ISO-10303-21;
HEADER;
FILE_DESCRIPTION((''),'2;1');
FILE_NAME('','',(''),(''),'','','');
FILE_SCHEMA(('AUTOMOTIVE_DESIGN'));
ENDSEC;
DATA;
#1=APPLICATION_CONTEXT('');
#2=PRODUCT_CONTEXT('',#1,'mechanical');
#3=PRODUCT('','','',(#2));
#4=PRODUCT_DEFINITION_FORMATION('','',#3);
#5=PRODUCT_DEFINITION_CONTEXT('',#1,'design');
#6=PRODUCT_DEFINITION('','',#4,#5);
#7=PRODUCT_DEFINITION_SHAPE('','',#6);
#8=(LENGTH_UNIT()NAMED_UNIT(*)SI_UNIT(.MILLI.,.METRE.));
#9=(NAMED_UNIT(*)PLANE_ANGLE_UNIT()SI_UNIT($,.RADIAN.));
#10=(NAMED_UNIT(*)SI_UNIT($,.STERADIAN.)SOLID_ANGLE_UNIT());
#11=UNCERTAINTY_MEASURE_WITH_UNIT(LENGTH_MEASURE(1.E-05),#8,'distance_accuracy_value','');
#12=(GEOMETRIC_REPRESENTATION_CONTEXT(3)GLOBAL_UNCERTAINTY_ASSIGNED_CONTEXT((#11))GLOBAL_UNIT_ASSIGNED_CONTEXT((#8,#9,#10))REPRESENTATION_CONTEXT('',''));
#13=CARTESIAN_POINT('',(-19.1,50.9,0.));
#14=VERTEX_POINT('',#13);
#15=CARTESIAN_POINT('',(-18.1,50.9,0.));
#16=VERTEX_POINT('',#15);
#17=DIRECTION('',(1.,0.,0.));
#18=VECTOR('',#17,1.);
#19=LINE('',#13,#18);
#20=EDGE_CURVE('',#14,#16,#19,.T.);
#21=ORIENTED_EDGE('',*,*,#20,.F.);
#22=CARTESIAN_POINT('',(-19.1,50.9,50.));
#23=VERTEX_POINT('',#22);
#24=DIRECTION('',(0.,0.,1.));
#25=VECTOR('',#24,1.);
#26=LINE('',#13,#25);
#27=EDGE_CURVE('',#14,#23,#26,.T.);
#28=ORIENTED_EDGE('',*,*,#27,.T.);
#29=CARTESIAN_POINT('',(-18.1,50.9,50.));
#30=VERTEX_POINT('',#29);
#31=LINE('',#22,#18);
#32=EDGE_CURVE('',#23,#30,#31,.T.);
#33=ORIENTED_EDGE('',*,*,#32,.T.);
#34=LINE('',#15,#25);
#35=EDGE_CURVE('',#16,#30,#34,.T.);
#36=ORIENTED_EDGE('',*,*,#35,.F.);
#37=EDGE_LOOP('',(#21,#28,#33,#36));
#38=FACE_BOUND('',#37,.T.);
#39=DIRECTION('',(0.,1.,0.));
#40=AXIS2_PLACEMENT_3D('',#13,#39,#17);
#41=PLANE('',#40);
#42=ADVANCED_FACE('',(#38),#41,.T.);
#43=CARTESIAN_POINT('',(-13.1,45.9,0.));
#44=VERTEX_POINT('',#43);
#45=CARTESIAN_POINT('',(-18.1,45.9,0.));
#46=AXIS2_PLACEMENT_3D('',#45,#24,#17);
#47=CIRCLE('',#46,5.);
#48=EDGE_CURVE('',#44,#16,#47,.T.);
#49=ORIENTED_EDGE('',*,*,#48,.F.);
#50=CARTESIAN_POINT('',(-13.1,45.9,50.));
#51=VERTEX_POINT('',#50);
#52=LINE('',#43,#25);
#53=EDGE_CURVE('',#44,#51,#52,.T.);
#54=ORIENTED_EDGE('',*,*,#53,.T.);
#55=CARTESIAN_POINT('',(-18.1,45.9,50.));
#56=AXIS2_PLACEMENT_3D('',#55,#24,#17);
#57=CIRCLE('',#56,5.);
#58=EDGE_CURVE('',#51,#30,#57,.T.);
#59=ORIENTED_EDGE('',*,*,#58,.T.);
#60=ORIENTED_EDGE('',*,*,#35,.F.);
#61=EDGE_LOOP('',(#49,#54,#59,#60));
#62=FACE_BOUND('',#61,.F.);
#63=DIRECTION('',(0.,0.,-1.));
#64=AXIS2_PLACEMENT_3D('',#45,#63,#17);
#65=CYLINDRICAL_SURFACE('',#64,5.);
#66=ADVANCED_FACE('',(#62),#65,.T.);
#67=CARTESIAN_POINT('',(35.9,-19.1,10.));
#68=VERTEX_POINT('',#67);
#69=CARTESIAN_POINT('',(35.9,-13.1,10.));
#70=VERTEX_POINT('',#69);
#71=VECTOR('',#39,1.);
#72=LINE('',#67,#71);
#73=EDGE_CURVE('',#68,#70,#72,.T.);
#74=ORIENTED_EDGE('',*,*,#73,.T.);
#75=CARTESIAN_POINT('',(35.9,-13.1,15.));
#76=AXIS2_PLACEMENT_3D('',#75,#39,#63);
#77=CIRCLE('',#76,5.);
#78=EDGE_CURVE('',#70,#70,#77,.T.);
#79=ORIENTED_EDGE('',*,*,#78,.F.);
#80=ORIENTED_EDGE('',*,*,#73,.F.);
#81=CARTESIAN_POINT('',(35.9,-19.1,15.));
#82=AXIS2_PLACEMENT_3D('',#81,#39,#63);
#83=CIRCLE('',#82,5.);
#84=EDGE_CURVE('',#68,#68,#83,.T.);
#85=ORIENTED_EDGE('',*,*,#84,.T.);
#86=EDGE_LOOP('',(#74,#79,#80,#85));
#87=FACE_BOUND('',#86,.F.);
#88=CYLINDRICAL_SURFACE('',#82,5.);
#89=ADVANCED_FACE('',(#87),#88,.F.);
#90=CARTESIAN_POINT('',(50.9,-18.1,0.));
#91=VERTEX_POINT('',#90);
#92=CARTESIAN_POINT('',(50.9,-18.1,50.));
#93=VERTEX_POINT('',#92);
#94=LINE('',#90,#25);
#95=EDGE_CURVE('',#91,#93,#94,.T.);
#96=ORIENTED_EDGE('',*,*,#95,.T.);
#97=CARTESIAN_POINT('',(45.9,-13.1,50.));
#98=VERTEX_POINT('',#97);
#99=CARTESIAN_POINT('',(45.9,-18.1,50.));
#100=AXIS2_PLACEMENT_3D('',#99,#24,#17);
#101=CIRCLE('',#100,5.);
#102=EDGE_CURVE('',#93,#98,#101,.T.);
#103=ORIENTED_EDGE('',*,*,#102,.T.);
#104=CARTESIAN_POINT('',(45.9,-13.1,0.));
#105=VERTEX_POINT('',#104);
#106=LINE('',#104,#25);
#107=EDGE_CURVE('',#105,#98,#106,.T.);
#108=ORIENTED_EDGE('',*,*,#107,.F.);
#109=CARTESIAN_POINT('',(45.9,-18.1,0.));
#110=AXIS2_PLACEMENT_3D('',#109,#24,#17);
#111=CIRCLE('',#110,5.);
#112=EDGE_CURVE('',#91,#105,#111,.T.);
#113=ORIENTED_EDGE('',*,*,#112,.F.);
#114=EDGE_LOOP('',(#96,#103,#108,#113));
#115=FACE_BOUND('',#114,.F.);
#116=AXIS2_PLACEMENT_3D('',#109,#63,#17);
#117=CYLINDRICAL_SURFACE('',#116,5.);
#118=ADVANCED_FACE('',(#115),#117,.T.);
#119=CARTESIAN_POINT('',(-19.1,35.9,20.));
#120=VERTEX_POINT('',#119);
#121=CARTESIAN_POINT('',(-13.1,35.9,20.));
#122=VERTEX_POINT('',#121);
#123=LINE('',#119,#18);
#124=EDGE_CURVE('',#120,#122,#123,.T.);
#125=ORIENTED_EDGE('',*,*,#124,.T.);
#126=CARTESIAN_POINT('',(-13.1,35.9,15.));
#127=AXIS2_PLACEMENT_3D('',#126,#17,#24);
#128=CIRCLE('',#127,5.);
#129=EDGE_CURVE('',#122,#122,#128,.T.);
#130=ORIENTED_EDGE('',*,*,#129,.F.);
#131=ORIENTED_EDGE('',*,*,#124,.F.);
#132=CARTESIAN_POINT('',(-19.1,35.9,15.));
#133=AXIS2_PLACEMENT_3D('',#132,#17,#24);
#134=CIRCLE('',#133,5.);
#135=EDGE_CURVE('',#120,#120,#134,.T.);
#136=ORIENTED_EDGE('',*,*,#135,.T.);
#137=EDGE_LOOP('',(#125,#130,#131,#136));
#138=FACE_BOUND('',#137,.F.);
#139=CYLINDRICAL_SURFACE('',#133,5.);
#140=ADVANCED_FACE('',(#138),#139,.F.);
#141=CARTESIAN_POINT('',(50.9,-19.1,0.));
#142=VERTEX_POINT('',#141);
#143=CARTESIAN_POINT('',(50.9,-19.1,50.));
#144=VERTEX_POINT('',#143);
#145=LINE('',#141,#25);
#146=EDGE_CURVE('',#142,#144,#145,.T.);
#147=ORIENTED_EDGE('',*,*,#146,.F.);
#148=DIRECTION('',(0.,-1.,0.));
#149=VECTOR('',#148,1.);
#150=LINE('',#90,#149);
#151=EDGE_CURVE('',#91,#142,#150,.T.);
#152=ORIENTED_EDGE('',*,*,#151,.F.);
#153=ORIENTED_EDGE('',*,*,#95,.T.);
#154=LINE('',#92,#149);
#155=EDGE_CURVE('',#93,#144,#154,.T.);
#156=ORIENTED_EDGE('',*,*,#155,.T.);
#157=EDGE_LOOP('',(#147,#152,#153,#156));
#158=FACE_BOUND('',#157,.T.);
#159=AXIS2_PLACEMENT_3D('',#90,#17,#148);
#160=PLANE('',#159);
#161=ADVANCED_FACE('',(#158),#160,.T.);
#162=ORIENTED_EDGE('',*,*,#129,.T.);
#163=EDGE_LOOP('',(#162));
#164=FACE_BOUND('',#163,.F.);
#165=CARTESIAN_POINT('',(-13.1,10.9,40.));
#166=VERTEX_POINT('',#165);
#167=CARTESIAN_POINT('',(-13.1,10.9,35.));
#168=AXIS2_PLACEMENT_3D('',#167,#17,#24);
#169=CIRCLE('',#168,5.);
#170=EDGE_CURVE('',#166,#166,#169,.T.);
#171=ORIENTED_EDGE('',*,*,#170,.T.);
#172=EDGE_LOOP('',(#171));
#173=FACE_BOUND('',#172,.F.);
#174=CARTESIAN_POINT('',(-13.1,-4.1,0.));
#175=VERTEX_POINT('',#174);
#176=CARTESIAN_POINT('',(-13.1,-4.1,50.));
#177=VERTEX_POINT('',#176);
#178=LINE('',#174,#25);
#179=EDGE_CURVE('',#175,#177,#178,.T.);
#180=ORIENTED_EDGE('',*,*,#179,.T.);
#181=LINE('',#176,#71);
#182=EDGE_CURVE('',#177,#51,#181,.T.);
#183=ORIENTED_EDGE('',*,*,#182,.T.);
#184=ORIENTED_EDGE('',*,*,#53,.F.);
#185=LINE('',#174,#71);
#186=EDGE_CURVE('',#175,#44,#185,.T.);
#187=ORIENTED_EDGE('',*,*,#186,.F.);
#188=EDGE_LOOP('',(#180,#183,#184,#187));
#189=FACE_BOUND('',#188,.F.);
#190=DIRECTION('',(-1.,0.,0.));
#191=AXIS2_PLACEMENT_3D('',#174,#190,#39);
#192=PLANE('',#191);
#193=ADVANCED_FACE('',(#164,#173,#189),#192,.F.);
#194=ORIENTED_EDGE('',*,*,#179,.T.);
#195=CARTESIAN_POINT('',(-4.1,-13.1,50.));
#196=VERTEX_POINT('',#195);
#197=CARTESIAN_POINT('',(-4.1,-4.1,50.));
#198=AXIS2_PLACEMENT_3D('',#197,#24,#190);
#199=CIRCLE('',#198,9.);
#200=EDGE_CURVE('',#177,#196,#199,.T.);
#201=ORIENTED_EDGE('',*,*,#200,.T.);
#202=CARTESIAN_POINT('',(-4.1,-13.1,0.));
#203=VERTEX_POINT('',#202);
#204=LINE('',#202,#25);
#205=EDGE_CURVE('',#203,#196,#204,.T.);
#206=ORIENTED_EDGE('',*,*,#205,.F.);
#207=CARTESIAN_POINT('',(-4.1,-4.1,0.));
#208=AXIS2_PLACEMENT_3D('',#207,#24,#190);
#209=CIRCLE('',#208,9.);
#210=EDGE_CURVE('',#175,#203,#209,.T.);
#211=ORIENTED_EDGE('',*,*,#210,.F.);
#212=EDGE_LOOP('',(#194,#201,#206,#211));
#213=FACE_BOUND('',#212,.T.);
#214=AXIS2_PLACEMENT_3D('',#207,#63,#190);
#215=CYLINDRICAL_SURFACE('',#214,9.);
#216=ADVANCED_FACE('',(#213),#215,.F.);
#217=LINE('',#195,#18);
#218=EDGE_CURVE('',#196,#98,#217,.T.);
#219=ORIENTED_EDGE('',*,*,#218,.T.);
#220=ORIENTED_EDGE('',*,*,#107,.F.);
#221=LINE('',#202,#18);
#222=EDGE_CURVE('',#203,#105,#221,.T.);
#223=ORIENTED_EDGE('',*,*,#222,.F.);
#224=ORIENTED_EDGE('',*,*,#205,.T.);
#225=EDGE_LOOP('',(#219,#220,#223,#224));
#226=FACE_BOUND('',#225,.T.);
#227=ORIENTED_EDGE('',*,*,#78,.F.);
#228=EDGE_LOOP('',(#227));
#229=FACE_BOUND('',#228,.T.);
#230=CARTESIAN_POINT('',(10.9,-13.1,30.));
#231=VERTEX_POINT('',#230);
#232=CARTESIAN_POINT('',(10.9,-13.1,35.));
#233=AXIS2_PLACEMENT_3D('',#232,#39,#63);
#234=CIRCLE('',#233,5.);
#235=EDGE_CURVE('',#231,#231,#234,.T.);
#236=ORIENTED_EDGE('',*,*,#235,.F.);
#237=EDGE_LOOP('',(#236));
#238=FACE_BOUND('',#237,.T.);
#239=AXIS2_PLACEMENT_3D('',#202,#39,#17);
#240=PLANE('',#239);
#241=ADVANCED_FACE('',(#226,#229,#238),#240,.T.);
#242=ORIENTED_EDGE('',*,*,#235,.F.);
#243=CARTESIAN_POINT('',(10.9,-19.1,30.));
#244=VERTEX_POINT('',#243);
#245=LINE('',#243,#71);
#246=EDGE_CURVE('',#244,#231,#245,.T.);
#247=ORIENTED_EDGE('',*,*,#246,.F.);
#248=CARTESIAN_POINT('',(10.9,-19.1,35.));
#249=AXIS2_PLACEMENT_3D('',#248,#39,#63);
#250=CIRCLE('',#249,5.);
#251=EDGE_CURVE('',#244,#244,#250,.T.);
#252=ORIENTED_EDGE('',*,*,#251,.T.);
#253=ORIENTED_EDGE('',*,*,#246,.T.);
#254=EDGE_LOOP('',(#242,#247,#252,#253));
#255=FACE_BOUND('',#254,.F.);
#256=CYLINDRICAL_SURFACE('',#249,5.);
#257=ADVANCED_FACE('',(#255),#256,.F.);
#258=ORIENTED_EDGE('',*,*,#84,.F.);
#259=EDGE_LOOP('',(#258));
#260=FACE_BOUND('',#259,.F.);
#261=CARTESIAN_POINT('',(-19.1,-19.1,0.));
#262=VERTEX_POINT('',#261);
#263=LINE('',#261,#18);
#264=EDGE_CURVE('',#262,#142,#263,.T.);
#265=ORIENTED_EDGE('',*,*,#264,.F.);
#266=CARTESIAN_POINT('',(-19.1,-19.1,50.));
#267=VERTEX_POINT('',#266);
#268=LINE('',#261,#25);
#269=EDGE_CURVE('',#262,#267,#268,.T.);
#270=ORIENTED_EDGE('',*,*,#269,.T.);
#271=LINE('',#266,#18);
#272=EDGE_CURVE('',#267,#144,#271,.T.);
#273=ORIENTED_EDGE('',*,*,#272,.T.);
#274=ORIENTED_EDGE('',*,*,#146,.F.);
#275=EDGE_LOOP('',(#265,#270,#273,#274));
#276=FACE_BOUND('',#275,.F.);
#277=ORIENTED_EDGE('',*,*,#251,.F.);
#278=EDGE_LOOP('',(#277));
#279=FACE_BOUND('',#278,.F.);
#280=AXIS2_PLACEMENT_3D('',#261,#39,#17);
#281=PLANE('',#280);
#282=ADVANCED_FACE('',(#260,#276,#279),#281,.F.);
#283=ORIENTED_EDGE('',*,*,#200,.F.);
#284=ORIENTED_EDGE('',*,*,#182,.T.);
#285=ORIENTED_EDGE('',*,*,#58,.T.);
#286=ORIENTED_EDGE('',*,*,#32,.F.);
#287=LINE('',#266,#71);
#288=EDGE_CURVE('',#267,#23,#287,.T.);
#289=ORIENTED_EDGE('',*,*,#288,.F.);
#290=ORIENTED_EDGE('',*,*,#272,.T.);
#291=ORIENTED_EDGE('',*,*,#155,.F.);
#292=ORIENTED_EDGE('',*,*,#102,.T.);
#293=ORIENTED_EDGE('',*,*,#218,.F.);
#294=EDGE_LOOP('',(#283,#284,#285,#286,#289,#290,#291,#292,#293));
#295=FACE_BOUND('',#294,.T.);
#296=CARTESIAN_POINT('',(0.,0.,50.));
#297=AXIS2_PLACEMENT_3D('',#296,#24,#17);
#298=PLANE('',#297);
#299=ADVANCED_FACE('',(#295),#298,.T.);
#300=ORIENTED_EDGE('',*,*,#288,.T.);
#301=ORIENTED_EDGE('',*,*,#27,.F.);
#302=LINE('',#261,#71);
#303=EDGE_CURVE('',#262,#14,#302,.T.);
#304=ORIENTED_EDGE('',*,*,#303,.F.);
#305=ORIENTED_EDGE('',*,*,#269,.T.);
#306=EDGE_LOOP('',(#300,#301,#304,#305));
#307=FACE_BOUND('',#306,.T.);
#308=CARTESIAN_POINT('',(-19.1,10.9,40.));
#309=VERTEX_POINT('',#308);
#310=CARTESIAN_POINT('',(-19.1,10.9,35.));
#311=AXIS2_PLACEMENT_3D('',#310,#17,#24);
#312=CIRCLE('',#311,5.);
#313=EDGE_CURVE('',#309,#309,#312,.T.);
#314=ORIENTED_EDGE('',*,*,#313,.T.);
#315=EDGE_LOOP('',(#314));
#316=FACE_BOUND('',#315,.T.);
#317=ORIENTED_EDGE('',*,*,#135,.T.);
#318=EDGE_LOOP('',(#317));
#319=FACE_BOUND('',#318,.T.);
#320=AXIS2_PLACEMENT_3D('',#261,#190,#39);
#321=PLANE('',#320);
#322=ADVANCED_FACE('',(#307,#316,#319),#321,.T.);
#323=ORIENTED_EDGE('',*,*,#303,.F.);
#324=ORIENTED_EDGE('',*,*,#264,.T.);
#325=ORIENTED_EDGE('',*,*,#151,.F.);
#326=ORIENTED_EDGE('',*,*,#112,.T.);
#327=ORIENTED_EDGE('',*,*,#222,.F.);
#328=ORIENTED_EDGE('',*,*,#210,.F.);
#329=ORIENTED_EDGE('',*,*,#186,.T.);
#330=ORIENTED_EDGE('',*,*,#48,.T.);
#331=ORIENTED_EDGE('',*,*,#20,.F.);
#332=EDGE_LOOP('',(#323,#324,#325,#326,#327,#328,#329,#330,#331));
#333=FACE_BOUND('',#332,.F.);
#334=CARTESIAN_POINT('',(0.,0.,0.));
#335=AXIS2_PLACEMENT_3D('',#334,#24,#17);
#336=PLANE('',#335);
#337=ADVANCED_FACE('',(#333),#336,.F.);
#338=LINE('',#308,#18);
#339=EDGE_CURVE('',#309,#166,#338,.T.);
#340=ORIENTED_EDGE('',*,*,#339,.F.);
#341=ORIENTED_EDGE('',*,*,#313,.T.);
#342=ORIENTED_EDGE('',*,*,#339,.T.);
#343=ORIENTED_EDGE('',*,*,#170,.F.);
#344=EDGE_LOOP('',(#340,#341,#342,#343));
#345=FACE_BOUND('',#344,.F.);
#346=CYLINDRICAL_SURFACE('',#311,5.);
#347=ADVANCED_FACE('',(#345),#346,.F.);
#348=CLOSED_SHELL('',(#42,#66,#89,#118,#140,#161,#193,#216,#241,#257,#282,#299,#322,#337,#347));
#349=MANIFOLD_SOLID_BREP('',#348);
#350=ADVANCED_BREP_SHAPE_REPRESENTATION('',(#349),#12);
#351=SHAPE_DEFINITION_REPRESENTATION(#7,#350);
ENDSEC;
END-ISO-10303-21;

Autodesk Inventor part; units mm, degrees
ref_plane "YZ Plane" through (0, 0, 0) normal (1, 0, 0) x (0, 1, 0)
ref_plane "Startebene" through (0, 0, 0) normal (0, 0, 1) x (1, 0, 0)
ref_plane "Endebene" through (0, 0, 50) normal (0, 0, 1) x (1, 0, 0)
sketch "Skizze2" plane through (0, 0, 0) normal (0, 0, 1) x (1, 0, 0)
  line L0 (-13.1, -4.1) -> (-13.1, 45.9)
  line L1 (-19.1, 50.9) -> (-18.1, 50.9)
  line L2 (-19.1, -19.1) -> (-19.1, 50.9)
  line L3 (-19.1, -19.1) -> (50.9, -19.1)
  line L4 (50.9, -18.1) -> (50.9, -19.1)
  line L5 (-4.1, -13.1) -> (45.9, -13.1)
  arc A0 (-13.1, -4.1) -> (-4.1, -13.1) centre (-4.1, -4.1) ccw
  arc A1 (-13.1, 45.9) -> (-18.1, 50.9) centre (-18.1, 45.9) ccw
  arc A2 (50.9, -18.1) -> (45.9, -13.1) centre (45.9, -18.1) ccw
  line L6 (0, 60.8698) -> (0, -10.145) construction
  line L7 (-10.145, 0) -> (60.8698, 0) construction
  point P0 (-13.1, -13.1)
  point P1 (-13.1, 50.9)
  point P2 (50.9, -13.1)
  dimension "d4" = 70
  dimension "d6" = 70
  dimension "d8" = 6
  dimension "d10" = 6
  dimension "d17" = 9
  dimension "d18" = 5
  dimension "d19" = 19.1
  dimension "d20" = 19.1
extrude "Körper" add sketch "Skizze2" along normal up to surface (50 mm away) from surface at 0
sketch "Sketch3" plane through (0, 0, 0) normal (0, 0, 1) x (1, 0, 0)
  line L0 (0, 0) -> (10, 0)
ref_plane "Work Plane10" through (0, 0, 0) normal (0, -1, 0) x (1, 0, 0)
sketch "Sketch4" plane through (0, 0, 0) normal (0, -1, 0) x (1, 0, 0)
  line L0 (-2, 0) -> (12, 0)
  line L1 (-2, 50) -> (12, 50)
  dimension "d24" = 50
sketch "Skizze5" plane through (-19.1, 50.9, 0) normal (-1, 0, 0) x (0, 0, 1)
  line L0 (0, -55) -> (50, -55) projected
  line L1 (50, -70) -> (50, 0) projected
  line L2 (50, -55) -> (50, 0)
  line L3 (0, 0) -> (50, 0) projected
  line L4 (50, 0) -> (0, 0)
  line L5 (0, -5) -> (0, -55) projected
  line L6 (0, 0) -> (0, -55)
  line L7 (0, -55) -> (50, -55)
  line L8 (0, -70) -> (0, 0) projected
  line L9 (0, 0) -> (15, 0)
  line L10 (15, 0) -> (15, -15)
  line L11 (15, -15) -> (50, -15)
  line L12 (50, -15) -> (35, -15)
  line L13 (35, -15) -> (35, -30)
  line L14 (35, -30) -> (35, -40)
  point P0 (0, -50.9)
  dimension "d25" = 15
  dimension "d26" = 15
  dimension "d27" = 15
  dimension "d28" = 15
  dimension "d29" = 10
hole "Bohrung1" at (-19.1, 35.9, 15) at (-19.1, 10.9, 35) direction (1, 0, 0) diameter 10 depth 8 tip angle 118
sketch "Skizze6" plane through (-19.1, -19.1, 0) normal (0, -1, 0) x (1, 0, 0)
  line L0 (70, 0) -> (70, 50) projected
  line L1 (15, 0) -> (65, 0) projected
  line L2 (70, 0) -> (15, 0)
  line L3 (15, 0) -> (15, 50)
  line L4 (65, 50) -> (70, 50) projected
  line L5 (15, 50) -> (70, 50)
  line L6 (15, 0) -> (15, 15)
  line L7 (15, 15) -> (55, 15)
  line L8 (70, 50) -> (70, 35)
  line L9 (70, 35) -> (30, 35)
  point P0 (19.1, 0)
  dimension "d37" = 15
  dimension "d38" = 40
  dimension "d39" = 15
  dimension "d40" = 40
hole "Bohrung2" at (35.9, -19.1, 15) at (10.9, -19.1, 35) direction (0, 1, 0) diameter 10 depth 8 tip angle 118
equation "\"d4\" = b"
equation "\"d6\" = b"
equation "\"d8\" = ParT"
equation "\"d10\" = ParT"
equation "\"d17\" = R"
equation "\"d18\" = R1"
equation "\"d19\" = ex"
equation "\"d20\" = d19"
equation "\"d11\" = G_L"
equation "\"b\" = 70"
equation "\"ParT\" = 6"
equation "\"R\" = 9"
equation "\"R1\" = 5"
equation "\"G_L\" = d24"
equation "\"ex\" = 19.1"
equation "\"G_OFFSET_START\" = 0"
equation "\"G_OFFSET_END\" = 0"
properties part number "ISO 657-1 - L70x70x6-50" material "Stahl, weich"
